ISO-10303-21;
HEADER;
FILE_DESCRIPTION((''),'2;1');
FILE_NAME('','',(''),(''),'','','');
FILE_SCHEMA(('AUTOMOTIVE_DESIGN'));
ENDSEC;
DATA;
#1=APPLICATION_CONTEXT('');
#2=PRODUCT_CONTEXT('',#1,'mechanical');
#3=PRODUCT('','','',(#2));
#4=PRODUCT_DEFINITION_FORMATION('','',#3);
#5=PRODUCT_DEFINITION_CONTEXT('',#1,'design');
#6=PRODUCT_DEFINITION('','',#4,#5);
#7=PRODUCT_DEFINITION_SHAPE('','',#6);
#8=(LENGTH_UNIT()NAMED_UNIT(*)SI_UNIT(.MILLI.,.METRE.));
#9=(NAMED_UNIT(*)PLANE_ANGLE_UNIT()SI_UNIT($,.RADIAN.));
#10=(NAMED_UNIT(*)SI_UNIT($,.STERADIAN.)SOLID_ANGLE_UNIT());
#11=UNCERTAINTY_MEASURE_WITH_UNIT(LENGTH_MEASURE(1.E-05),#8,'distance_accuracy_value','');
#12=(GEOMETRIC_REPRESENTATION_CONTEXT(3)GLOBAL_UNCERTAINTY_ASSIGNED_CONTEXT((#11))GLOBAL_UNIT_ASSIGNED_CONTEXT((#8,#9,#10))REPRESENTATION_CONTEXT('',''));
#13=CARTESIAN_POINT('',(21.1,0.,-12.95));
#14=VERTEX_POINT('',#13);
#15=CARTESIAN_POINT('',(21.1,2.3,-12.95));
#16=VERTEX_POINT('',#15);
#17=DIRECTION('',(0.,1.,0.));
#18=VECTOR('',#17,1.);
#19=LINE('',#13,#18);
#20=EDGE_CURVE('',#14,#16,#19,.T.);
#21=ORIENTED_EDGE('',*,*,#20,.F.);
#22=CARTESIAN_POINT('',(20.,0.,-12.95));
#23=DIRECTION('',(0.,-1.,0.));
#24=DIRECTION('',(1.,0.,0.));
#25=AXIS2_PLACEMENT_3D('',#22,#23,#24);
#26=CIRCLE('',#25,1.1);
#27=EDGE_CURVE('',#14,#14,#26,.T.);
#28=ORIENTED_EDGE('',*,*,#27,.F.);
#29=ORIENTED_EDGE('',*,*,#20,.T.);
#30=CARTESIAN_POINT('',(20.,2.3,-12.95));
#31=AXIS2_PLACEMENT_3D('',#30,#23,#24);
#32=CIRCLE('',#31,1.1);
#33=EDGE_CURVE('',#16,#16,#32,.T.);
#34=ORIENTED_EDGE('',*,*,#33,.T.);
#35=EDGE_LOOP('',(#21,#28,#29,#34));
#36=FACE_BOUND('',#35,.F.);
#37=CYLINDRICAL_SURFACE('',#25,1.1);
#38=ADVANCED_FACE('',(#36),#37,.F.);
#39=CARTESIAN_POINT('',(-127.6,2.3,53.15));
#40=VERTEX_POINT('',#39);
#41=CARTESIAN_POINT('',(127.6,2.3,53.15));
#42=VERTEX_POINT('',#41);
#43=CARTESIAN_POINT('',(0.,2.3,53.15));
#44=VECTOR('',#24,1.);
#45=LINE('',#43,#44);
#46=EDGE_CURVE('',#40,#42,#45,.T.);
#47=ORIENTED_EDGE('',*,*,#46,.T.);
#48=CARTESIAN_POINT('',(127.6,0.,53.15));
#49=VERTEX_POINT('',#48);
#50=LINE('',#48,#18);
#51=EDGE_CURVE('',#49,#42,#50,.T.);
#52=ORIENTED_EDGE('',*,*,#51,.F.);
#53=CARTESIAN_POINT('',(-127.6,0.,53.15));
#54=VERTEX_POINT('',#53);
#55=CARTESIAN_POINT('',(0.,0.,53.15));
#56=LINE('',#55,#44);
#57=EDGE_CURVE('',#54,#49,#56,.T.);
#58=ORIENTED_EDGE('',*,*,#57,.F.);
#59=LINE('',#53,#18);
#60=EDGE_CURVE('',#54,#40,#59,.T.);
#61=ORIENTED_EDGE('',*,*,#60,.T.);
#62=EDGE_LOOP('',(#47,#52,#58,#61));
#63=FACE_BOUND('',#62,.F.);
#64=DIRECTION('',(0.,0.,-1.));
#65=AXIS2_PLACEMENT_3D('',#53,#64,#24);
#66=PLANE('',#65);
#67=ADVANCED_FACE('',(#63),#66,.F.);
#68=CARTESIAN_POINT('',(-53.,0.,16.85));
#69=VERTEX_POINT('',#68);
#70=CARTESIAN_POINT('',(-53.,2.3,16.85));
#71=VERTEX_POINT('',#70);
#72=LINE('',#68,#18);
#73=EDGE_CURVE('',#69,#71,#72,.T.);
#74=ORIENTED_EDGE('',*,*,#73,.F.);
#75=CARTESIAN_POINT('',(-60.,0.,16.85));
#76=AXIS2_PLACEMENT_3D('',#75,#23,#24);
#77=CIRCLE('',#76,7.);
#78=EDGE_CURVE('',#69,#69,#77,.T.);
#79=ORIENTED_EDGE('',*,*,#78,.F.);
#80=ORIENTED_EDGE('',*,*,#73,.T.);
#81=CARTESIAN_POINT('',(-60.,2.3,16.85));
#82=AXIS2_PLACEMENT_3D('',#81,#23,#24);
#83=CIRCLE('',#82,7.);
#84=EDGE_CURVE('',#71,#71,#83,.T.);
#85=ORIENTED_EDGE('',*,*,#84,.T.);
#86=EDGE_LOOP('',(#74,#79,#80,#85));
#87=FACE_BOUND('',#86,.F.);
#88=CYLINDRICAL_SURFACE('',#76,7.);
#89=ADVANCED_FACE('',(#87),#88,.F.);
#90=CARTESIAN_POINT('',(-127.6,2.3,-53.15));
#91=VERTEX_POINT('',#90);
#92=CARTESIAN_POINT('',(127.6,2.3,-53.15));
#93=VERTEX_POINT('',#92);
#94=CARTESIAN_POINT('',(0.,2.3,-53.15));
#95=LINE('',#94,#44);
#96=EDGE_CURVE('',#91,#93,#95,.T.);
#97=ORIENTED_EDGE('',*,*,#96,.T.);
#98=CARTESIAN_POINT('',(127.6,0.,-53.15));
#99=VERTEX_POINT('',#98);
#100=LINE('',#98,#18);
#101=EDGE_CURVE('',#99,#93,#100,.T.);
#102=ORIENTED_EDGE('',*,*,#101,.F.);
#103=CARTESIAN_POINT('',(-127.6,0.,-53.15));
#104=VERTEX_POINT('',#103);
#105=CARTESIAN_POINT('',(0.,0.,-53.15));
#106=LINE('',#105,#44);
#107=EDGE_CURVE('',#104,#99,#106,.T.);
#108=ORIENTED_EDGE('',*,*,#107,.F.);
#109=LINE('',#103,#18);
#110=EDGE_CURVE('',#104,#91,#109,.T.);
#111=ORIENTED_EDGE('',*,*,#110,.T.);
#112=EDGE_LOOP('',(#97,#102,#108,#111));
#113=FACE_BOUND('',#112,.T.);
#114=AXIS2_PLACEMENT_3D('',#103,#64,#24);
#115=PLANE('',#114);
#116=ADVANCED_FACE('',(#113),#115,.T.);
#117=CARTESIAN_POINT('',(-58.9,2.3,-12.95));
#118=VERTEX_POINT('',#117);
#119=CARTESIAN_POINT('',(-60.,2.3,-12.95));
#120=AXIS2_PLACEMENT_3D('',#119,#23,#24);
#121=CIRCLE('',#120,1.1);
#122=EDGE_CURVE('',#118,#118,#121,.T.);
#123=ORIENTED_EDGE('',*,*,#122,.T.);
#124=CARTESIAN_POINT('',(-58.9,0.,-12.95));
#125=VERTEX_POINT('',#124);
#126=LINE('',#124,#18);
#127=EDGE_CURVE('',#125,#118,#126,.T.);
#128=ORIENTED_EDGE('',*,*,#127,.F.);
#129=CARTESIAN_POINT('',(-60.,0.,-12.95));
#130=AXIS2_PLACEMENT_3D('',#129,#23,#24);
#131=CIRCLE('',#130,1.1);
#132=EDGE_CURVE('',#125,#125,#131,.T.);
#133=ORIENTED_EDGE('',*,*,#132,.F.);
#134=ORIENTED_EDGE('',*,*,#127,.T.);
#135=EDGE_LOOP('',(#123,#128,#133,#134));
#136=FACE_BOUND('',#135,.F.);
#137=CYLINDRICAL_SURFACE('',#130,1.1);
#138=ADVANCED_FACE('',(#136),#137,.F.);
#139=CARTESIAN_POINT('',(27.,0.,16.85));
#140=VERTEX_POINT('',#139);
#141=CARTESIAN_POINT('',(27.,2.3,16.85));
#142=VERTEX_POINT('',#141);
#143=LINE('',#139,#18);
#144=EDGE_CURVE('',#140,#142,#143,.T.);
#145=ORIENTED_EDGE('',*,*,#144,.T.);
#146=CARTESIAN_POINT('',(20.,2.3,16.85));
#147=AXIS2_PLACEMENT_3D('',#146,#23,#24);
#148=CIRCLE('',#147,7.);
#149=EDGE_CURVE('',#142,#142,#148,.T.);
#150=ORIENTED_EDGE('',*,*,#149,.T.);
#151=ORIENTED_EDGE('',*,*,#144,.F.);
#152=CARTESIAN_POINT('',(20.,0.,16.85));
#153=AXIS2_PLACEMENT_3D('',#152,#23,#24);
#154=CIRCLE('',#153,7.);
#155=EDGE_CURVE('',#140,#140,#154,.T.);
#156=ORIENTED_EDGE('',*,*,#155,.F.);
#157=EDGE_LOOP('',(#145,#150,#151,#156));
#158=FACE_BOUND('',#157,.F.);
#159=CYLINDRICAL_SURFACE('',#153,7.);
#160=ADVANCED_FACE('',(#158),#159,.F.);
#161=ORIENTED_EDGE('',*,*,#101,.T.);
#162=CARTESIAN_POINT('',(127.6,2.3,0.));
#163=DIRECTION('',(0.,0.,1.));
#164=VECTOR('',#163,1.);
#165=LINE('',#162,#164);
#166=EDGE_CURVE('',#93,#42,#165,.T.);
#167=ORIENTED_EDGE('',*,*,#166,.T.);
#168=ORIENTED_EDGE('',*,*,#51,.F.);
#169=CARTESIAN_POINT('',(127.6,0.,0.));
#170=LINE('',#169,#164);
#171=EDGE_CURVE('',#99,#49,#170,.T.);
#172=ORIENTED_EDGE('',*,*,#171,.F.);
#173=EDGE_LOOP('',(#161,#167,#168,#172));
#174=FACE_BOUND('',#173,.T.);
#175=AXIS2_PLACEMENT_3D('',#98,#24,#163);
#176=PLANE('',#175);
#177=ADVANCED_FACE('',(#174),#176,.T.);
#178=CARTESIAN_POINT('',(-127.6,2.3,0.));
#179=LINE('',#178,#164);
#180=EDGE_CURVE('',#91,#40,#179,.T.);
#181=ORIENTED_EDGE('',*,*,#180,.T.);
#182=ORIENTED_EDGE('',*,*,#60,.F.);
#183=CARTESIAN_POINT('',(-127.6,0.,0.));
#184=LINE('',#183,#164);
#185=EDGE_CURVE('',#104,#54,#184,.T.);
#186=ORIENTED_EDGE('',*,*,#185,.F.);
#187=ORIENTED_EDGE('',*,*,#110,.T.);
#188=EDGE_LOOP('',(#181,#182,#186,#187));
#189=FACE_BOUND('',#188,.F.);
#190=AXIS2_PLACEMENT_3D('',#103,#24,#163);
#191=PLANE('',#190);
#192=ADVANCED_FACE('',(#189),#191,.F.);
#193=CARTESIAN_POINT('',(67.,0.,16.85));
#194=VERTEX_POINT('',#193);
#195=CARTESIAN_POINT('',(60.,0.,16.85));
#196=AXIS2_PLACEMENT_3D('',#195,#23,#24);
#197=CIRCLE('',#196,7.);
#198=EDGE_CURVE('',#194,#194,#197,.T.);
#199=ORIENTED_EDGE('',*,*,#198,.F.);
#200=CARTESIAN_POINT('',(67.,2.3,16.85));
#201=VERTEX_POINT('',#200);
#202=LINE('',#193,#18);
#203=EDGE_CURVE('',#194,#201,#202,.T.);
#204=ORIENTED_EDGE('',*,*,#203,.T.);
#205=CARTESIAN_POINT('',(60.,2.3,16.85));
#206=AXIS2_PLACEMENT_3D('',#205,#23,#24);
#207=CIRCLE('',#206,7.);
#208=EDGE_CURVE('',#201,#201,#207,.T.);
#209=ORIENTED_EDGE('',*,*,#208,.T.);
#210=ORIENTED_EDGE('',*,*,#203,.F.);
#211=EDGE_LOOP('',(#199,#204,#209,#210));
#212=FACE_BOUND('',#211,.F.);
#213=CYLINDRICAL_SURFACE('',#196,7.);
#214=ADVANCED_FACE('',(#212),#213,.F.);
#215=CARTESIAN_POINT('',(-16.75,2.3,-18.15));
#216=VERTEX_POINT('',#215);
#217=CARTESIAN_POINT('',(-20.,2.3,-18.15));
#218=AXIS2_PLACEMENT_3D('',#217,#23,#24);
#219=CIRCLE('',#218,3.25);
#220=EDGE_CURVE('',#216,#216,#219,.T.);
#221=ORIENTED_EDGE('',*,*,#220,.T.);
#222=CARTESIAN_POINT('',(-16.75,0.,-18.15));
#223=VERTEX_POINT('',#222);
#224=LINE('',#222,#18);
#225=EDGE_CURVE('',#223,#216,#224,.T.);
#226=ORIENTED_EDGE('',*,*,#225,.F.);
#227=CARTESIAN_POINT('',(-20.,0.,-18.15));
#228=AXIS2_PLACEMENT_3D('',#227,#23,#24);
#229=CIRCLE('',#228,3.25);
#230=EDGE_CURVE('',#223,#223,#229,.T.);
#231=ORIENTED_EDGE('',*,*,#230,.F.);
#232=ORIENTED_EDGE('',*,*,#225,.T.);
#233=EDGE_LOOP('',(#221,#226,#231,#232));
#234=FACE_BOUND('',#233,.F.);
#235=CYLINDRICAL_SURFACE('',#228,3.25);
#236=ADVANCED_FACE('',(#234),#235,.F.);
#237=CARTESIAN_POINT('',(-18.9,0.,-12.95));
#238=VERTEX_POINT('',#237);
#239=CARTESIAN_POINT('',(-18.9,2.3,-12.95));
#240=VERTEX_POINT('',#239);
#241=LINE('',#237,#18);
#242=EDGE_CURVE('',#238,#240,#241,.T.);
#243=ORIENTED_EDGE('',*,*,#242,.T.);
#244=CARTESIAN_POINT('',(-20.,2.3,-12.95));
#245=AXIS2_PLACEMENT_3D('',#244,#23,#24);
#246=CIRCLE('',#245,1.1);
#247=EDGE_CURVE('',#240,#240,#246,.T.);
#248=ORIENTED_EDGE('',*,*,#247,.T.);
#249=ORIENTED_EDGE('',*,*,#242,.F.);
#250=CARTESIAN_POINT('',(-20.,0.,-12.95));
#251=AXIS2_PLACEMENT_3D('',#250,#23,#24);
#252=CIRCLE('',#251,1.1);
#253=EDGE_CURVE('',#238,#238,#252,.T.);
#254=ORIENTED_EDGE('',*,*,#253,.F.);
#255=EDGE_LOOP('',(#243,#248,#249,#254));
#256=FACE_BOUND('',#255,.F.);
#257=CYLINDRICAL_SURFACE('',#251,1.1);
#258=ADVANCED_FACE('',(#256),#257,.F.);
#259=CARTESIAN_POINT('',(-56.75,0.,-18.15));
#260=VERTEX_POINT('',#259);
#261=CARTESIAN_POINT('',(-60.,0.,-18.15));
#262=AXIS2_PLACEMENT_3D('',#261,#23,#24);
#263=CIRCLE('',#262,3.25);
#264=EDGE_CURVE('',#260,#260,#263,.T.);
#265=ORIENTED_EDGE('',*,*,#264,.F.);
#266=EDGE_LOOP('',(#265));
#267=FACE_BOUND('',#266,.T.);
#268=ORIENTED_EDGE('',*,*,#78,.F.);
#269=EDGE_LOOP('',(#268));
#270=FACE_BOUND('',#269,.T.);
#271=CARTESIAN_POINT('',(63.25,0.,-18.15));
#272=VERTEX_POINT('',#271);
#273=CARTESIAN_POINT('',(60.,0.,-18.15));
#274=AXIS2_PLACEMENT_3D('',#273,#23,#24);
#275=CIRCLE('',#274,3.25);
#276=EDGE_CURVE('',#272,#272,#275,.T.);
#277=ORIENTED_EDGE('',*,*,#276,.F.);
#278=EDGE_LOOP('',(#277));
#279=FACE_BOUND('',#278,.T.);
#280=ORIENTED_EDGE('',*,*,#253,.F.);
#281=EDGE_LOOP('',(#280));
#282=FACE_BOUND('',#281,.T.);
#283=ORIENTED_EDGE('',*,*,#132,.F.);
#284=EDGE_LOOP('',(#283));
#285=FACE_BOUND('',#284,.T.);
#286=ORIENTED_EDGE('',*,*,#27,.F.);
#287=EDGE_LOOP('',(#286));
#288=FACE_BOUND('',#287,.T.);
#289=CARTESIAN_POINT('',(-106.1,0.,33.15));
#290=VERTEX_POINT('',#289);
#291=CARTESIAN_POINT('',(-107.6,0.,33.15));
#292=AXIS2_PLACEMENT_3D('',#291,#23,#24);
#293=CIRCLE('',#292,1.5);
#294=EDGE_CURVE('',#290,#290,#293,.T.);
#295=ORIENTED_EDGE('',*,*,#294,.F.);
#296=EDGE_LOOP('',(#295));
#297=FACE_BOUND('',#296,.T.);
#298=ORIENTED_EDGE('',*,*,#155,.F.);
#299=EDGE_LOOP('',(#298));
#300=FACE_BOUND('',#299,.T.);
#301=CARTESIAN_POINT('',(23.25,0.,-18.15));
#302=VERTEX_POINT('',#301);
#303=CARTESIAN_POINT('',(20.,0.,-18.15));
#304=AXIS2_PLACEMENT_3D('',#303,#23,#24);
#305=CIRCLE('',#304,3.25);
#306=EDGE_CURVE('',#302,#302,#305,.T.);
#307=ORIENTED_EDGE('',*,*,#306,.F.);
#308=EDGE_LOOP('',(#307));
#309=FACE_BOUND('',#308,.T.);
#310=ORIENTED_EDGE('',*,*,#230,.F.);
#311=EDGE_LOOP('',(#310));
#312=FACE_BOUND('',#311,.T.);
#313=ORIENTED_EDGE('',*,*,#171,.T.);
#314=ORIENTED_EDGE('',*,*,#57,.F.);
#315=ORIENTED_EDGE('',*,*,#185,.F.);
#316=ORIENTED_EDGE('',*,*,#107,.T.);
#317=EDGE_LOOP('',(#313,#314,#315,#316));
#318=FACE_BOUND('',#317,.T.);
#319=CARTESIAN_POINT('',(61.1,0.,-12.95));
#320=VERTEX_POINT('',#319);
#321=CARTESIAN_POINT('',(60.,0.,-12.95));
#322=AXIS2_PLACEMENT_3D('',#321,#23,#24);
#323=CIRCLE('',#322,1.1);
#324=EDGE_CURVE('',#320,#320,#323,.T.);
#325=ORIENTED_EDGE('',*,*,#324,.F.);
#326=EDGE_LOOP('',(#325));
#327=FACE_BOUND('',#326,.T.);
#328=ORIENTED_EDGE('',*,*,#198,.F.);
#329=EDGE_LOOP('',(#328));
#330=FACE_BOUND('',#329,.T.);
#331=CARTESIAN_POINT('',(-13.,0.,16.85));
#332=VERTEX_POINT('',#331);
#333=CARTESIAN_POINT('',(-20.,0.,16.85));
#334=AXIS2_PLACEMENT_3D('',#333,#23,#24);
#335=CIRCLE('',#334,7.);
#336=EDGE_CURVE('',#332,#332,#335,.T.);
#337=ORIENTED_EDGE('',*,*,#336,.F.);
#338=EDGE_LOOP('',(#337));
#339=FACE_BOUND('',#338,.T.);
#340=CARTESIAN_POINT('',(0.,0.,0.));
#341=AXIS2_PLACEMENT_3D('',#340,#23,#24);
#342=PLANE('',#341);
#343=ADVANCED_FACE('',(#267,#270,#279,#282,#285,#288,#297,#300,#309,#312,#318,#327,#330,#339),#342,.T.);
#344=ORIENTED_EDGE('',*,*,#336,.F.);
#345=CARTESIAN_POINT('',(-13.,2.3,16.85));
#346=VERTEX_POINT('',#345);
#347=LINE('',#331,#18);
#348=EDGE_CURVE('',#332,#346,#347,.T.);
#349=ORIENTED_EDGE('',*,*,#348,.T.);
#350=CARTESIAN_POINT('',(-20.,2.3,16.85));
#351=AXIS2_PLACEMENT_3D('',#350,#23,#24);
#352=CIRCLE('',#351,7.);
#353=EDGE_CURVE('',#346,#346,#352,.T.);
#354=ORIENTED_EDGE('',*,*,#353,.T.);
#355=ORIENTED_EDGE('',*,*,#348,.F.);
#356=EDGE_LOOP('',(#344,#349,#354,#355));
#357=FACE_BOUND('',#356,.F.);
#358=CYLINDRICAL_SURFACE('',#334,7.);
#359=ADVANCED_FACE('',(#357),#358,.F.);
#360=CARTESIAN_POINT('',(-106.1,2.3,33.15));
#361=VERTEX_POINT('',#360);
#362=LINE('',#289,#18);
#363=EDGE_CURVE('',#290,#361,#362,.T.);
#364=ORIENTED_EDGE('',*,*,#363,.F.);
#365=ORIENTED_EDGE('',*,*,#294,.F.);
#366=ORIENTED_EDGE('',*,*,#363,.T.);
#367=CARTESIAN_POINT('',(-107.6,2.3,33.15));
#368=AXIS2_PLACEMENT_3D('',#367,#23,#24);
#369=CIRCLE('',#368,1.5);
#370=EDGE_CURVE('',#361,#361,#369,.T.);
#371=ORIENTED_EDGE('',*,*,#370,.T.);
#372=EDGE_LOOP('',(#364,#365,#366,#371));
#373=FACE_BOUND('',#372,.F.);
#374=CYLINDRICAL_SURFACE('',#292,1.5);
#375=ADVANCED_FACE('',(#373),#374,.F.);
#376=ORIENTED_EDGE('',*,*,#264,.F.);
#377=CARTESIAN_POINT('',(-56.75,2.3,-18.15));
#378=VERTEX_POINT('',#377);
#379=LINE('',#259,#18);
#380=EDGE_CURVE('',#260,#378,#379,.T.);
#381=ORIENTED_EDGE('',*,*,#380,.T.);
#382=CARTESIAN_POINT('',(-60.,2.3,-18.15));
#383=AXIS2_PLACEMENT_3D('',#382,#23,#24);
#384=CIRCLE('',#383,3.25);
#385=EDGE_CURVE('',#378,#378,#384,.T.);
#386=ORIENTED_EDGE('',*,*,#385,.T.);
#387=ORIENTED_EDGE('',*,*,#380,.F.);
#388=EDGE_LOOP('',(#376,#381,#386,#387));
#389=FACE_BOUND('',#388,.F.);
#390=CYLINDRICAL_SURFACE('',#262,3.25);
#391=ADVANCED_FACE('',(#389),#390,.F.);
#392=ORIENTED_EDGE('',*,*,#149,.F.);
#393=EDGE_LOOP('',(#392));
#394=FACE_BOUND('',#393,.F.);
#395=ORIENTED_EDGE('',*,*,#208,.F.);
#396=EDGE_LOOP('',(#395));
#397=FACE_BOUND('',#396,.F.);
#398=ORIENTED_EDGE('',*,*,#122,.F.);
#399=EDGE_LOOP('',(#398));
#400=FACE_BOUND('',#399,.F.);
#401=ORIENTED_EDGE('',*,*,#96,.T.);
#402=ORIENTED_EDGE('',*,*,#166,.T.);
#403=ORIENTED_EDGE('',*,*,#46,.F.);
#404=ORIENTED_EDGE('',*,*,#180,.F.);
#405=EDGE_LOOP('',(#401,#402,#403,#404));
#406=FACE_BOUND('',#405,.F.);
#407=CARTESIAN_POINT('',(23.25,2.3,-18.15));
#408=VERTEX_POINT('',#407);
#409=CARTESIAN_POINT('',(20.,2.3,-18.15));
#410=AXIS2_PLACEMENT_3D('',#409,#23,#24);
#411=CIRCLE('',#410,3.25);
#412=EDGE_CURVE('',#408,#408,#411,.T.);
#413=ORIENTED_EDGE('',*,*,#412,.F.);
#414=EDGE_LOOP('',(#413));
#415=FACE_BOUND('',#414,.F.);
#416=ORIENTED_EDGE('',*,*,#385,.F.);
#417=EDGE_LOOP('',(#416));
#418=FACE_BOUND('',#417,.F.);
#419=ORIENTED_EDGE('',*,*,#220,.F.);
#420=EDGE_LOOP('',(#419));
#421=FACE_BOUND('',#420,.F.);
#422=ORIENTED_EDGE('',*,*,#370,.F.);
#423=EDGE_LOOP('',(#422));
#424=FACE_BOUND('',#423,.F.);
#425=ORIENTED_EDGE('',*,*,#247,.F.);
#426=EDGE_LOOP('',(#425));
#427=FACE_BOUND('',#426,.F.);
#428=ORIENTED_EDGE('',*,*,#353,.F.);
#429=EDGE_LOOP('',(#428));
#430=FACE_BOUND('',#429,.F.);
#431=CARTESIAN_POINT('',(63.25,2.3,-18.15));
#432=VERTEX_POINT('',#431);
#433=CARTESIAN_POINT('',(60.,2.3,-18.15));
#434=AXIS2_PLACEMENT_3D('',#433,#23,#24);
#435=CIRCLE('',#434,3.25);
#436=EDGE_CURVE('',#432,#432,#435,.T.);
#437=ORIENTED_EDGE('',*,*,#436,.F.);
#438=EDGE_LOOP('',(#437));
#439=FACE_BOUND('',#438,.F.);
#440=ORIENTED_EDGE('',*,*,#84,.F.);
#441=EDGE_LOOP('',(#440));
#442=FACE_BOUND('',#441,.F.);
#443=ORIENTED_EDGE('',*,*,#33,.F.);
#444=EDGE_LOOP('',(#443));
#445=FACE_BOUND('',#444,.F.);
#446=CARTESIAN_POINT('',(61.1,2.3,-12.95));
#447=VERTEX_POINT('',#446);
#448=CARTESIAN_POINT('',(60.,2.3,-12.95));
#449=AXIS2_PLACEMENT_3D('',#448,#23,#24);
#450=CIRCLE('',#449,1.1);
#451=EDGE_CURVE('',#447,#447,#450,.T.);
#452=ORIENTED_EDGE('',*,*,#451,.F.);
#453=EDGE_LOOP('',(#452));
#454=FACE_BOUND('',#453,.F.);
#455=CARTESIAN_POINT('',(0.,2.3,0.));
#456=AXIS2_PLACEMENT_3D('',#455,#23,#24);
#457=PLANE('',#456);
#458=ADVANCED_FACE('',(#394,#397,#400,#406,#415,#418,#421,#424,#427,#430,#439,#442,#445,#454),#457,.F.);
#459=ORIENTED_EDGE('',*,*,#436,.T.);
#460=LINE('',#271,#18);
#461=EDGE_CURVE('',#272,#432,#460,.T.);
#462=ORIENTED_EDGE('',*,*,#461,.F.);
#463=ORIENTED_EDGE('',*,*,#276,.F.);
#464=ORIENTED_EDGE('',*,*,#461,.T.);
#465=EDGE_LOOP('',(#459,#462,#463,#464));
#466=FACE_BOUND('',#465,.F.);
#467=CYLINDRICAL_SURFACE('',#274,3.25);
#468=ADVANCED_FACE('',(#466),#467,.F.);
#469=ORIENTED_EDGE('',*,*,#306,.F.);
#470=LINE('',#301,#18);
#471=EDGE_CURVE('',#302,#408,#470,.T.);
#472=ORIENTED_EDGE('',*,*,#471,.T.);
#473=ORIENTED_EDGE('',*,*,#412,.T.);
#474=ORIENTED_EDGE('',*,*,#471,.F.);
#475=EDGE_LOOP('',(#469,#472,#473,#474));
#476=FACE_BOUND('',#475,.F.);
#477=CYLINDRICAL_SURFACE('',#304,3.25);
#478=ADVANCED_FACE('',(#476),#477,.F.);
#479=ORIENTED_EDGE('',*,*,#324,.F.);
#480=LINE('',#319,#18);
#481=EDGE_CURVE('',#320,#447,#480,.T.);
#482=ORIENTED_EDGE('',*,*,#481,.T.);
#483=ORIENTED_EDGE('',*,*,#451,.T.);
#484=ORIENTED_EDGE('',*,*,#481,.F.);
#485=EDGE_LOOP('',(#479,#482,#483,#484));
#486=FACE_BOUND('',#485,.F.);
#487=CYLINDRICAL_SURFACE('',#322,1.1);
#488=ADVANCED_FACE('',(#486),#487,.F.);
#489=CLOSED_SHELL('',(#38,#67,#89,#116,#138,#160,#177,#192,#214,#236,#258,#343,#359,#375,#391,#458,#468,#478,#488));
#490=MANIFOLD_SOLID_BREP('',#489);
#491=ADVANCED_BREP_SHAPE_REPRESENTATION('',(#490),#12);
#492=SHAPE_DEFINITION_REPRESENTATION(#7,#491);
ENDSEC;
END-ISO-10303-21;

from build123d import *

# Parameters (mm, degrees)
F0_W     = 255.2
F0_H     = 106.3
F0_R     = 3.25
F0_R_2   = 1.1
F0_R_3   = 7
F0_R_4   = 1.5
F1_DEPTH = 2.3


with BuildPart() as f1:
    # F0 (on Front) → F1 (new body)
    with BuildSketch(Plane.XZ):
        Rectangle(F0_W, F0_H)
        with Locations((-60, -18.15)):
            Circle(F0_R, mode=Mode.SUBTRACT)
        with Locations((-20, -18.15)):
            Circle(F0_R, mode=Mode.SUBTRACT)
        with Locations((-60, -12.95)):
            Circle(F0_R_2, mode=Mode.SUBTRACT)
        with Locations((-20, -12.95)):
            Circle(F0_R_2, mode=Mode.SUBTRACT)
        with Locations((20, -18.15)):
            Circle(F0_R, mode=Mode.SUBTRACT)
        with Locations((60, -18.15)):
            Circle(F0_R, mode=Mode.SUBTRACT)
        with Locations((20, -12.95)):
            Circle(F0_R_2, mode=Mode.SUBTRACT)
        with Locations((60, -12.95)):
            Circle(F0_R_2, mode=Mode.SUBTRACT)
        with Locations((-60, 16.85)):
            Circle(F0_R_3, mode=Mode.SUBTRACT)
        with Locations((-20, 16.85)):
            Circle(F0_R_3, mode=Mode.SUBTRACT)
        with Locations((-107.6, 33.15)):
            Circle(F0_R_4, mode=Mode.SUBTRACT)
        with Locations((20, 16.85)):
            Circle(F0_R_3, mode=Mode.SUBTRACT)
        with Locations((60, 16.85)):
            Circle(F0_R_3, mode=Mode.SUBTRACT)
    extrude(amount=-F1_DEPTH)


solid = f1.part
